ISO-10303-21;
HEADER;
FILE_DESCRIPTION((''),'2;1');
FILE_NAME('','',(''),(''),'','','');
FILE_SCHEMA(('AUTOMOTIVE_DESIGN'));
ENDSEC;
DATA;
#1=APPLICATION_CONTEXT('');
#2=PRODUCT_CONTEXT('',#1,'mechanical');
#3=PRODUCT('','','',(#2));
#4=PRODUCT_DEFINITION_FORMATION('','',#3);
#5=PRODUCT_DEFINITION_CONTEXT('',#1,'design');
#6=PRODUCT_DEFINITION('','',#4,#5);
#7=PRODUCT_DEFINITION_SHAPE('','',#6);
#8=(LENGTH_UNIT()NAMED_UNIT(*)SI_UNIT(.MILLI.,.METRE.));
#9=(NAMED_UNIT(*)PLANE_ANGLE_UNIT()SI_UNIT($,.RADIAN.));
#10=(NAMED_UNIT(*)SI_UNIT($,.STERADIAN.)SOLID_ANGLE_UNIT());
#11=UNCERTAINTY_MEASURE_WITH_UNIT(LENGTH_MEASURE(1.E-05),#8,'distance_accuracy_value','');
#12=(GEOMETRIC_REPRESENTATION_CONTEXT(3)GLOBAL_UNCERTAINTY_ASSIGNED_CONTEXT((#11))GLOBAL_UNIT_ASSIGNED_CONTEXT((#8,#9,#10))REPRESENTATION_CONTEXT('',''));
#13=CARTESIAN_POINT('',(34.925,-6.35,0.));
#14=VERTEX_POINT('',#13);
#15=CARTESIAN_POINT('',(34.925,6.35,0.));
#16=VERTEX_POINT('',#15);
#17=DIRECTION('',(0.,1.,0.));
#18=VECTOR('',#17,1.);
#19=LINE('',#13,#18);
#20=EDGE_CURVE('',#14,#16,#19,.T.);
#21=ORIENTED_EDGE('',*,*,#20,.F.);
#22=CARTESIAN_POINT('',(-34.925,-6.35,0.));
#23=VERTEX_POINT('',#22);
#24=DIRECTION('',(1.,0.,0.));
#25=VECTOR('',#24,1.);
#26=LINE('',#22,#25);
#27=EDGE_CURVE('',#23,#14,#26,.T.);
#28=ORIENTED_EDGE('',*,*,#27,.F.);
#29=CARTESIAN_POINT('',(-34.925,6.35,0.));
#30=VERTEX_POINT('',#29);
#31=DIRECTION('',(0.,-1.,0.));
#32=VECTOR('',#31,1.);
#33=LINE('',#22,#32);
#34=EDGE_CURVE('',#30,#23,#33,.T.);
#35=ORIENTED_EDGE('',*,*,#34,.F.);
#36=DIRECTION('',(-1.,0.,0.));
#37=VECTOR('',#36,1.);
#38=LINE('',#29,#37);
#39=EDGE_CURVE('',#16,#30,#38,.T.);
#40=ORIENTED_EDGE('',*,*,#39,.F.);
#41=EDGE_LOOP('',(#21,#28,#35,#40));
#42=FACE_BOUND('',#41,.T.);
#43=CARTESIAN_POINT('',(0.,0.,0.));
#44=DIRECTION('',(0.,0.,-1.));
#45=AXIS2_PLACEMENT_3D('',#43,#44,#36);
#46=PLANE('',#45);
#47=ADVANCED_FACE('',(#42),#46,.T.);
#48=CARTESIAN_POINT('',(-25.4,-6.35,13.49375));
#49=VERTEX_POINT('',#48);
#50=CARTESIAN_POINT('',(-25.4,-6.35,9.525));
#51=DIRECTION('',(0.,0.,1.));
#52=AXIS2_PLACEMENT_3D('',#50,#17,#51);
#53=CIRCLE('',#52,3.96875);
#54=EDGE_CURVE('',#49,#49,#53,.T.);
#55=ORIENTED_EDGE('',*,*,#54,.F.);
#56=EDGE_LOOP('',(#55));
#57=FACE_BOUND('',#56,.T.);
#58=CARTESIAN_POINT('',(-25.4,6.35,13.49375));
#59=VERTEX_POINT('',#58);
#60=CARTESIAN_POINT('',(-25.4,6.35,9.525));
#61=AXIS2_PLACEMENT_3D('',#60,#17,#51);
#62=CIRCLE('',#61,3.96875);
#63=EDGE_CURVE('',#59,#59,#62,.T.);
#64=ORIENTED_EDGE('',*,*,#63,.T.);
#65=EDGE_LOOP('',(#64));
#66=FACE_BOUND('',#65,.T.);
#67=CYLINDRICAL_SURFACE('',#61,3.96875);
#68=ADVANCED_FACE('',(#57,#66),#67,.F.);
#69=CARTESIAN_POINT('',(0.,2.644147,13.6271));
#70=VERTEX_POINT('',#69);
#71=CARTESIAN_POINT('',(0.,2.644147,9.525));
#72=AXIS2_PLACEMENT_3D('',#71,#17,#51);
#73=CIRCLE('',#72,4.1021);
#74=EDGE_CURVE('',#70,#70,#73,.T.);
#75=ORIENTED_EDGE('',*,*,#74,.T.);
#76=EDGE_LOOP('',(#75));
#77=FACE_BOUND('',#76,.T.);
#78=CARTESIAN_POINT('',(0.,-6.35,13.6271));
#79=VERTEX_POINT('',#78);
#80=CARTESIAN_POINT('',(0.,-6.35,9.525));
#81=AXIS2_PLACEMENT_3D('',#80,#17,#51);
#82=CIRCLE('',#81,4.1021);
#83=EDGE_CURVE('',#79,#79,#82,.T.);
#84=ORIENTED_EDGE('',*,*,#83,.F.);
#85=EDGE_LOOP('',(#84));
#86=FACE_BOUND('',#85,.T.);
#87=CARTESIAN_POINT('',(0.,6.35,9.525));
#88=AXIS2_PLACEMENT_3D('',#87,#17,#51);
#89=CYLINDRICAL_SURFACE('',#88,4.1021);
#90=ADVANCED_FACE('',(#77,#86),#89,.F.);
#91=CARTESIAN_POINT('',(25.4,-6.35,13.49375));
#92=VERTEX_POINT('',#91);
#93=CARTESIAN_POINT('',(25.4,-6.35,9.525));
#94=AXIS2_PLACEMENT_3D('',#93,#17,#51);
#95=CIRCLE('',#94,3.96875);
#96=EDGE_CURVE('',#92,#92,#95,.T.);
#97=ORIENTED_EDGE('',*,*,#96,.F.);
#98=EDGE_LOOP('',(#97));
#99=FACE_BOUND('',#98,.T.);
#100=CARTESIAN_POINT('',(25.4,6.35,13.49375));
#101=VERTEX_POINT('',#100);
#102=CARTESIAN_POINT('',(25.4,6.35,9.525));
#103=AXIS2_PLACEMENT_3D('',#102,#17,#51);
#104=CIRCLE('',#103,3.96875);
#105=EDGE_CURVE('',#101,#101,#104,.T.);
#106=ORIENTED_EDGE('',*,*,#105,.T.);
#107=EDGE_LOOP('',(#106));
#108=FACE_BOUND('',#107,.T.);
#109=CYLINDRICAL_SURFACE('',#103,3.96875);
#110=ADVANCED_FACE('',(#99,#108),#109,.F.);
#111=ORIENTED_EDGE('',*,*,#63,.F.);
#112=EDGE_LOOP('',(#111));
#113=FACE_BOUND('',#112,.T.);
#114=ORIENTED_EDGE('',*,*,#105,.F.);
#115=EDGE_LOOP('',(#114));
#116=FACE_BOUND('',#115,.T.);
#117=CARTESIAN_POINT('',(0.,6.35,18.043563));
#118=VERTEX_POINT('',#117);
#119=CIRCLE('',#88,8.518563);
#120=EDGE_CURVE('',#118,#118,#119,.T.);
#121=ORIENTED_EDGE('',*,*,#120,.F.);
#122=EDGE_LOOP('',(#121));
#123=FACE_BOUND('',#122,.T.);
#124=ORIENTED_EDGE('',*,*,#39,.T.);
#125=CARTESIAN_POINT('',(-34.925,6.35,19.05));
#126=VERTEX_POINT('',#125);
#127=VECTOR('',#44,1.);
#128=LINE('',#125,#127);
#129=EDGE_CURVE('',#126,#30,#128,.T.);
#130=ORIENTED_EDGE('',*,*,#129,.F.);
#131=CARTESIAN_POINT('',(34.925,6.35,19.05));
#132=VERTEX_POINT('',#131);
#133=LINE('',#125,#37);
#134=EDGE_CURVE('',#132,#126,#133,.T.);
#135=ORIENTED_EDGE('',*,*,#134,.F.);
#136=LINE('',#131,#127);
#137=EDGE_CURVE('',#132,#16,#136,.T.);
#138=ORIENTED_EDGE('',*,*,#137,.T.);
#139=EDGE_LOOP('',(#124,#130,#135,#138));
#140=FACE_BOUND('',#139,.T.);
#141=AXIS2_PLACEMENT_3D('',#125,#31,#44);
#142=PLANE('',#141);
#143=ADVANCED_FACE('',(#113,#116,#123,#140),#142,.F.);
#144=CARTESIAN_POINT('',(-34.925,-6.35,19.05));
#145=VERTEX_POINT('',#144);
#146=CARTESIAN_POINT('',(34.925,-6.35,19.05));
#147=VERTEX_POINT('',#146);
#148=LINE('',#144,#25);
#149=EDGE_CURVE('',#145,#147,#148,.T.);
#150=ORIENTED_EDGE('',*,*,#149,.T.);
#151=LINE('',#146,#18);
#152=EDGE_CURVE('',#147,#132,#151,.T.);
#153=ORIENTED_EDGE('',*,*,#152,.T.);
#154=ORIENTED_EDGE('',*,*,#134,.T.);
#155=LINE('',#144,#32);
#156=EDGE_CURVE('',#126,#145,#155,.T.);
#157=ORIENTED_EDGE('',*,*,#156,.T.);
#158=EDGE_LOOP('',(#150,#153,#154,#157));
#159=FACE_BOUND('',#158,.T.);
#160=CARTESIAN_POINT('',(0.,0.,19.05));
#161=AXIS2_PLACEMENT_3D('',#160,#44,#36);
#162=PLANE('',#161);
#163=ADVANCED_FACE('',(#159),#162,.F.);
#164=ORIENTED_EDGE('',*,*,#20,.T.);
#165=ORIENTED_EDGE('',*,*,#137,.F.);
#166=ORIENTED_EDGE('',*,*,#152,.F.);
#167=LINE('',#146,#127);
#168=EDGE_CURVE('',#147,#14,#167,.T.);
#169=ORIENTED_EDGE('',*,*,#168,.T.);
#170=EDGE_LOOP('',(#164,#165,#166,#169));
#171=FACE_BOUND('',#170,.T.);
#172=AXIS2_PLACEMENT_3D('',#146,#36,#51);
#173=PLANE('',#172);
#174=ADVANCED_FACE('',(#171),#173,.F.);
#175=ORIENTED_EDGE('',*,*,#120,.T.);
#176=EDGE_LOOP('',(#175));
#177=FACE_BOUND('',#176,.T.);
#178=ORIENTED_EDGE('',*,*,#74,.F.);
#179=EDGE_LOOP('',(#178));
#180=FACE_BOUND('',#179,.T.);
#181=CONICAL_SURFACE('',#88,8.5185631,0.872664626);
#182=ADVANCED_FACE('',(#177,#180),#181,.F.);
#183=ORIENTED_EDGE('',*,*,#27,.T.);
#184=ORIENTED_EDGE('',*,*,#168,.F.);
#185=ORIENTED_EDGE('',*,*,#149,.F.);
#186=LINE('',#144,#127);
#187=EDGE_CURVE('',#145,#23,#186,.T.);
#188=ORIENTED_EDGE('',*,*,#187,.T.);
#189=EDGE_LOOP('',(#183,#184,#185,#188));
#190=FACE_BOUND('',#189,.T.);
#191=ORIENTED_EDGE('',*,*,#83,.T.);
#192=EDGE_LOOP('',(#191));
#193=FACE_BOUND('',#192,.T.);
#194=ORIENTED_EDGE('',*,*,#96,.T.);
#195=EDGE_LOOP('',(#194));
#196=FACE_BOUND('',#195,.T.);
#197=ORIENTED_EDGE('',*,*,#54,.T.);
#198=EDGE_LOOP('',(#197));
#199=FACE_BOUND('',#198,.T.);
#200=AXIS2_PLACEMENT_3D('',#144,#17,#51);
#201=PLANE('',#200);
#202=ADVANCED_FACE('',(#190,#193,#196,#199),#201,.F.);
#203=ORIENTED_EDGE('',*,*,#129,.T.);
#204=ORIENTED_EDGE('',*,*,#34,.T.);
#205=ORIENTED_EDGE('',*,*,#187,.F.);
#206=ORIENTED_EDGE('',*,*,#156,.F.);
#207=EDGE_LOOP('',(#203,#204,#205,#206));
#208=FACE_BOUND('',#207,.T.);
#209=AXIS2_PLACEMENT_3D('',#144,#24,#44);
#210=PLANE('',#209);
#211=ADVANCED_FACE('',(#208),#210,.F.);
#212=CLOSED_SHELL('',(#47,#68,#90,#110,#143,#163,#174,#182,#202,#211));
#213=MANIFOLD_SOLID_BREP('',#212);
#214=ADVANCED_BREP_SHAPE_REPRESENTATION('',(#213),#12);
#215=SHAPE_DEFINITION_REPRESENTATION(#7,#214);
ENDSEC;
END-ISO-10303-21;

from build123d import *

# Parameters (mm, degrees)
SKETCH1_W                                           = 69.85
SKETCH1_H                                           = 12.7
BOSS_EXTRUDE1_DEPTH                                 = 19.05
F_5_16_0_3125_DIAMETER_HOLE1_D                      = 7.9375
CSK_FOR_5_16_FLAT_HEAD_MACHINE_SCREW_10_D           = 8.2042
CSK_FOR_5_16_FLAT_HEAD_MACHINE_SCREW_10_CSINK_D     = 17.0371262
CSK_FOR_5_16_FLAT_HEAD_MACHINE_SCREW_10_CSINK_ANGLE = 100


with BuildPart() as part:
    # Sketch1 → Boss-Extrude1 (new body)
    with BuildSketch(Plane.XY):
        Rectangle(SKETCH1_W, SKETCH1_H)
    extrude(amount=BOSS_EXTRUDE1_DEPTH)

    # 5/16 (0.3125) Diameter Hole1 (through all)
    with Locations(Plane(origin=(0, 6.35, 0), x_dir=(1, 0, 0), z_dir=(0, 1, 0))):
        with Locations((-25.4, -9.525), (25.4, -9.525)):
            Hole(F_5_16_0_3125_DIAMETER_HOLE1_D / 2)

    # CSK for 5/16 Flat Head Machine Screw (100)1 (through all)
    with Locations(Plane(origin=(0, 6.35, 0), x_dir=(1, 0, 0), z_dir=(0, 1, 0))):
        with Locations((0, -9.525)):
            CounterSinkHole(CSK_FOR_5_16_FLAT_HEAD_MACHINE_SCREW_10_D / 2, CSK_FOR_5_16_FLAT_HEAD_MACHINE_SCREW_10_CSINK_D / 2, counter_sink_angle=CSK_FOR_5_16_FLAT_HEAD_MACHINE_SCREW_10_CSINK_ANGLE)


solid = part.part
